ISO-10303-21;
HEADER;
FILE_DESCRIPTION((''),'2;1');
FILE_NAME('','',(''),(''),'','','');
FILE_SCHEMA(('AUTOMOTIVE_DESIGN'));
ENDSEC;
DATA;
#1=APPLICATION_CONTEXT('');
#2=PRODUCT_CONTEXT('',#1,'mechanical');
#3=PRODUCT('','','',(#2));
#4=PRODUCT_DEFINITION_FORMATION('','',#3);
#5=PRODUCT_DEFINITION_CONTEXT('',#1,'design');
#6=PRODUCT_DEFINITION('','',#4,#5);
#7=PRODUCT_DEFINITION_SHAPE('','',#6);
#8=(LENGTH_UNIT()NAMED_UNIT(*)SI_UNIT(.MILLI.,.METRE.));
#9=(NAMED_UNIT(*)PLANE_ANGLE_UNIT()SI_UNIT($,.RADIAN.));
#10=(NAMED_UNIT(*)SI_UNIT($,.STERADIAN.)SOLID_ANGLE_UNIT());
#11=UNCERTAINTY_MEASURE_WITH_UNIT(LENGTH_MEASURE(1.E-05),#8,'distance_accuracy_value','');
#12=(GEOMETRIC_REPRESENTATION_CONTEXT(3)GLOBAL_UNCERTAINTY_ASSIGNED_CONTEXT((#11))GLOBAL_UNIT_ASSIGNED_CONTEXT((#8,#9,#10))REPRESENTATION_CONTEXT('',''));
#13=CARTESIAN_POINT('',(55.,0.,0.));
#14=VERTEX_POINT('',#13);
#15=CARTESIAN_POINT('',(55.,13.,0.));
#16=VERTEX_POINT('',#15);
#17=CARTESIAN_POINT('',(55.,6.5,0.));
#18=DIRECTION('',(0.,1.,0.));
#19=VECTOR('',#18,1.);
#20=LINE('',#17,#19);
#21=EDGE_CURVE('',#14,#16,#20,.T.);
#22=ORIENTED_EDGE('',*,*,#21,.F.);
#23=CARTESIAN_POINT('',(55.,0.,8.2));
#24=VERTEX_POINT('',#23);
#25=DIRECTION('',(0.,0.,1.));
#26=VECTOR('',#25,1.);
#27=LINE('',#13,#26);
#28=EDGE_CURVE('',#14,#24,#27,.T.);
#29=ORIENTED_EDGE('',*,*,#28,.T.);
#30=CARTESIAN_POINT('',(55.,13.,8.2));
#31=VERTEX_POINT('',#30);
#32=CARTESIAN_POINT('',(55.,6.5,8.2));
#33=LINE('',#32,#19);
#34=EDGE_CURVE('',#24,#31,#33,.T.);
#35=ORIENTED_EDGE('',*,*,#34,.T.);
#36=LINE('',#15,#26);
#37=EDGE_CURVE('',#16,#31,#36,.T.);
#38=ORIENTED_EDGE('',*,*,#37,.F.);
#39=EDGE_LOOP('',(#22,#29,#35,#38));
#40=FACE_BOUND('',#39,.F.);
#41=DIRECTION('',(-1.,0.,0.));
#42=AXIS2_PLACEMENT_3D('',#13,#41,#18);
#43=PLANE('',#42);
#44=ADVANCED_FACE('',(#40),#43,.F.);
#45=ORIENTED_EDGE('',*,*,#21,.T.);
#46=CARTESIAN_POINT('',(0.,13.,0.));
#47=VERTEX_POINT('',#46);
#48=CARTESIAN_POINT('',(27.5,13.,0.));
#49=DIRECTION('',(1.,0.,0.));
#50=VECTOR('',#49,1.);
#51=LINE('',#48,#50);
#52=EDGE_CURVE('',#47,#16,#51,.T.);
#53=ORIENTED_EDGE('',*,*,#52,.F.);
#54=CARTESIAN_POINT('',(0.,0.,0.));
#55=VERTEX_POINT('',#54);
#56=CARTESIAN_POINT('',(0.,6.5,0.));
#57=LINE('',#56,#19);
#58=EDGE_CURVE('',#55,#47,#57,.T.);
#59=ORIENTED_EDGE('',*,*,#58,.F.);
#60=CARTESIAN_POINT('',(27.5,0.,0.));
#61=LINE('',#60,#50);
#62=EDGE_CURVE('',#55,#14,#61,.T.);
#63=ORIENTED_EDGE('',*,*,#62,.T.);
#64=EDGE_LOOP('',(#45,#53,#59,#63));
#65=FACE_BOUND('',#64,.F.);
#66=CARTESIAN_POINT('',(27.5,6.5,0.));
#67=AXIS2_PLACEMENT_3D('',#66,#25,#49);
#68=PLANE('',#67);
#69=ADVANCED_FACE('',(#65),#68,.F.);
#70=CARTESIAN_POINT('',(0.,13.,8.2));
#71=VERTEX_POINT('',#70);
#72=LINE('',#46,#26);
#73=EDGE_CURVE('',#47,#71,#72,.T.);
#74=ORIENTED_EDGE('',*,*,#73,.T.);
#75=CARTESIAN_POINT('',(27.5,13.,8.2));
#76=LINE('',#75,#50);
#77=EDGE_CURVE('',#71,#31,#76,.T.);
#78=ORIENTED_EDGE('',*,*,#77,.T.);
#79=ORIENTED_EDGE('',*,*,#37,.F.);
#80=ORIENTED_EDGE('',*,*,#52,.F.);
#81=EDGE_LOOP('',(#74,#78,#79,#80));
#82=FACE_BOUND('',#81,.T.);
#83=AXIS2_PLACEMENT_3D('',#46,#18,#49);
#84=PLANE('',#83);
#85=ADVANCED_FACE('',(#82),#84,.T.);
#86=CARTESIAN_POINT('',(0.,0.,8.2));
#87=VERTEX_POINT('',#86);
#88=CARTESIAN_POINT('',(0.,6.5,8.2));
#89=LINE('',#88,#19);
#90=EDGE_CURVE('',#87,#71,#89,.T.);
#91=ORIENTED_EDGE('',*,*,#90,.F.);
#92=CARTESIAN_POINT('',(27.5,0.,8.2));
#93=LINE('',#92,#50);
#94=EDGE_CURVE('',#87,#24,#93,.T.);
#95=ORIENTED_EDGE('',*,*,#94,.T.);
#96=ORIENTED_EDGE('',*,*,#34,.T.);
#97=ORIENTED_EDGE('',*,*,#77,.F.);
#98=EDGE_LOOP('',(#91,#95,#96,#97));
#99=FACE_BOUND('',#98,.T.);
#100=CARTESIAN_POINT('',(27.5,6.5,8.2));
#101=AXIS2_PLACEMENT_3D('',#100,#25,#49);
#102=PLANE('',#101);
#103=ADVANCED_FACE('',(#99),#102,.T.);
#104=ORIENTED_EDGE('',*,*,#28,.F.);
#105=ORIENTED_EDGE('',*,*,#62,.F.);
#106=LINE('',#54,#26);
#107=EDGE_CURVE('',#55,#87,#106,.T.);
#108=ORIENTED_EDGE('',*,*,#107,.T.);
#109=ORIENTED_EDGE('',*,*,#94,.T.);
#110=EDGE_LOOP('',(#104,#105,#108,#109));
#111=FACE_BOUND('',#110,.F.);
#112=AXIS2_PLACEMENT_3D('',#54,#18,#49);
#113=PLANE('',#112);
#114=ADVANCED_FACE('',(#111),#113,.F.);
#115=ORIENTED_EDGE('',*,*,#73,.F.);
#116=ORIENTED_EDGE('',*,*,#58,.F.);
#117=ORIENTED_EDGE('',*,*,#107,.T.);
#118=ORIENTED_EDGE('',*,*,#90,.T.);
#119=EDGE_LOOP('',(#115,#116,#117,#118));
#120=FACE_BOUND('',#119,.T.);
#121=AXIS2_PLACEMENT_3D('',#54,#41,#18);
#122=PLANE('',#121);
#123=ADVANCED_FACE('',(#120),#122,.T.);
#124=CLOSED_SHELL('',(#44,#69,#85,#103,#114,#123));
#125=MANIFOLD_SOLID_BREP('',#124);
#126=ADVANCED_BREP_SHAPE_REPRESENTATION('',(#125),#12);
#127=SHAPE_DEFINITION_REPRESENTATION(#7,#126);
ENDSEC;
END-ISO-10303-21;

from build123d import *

# Parameters (mm, degrees)
SKETCH_W  = 55
SKETCH_H  = 13
PAD_DEPTH = 8.2


with BuildPart() as part:
    # Sketch → Pad (new body)
    with BuildSketch(Plane.XY):
        with Locations((27.5, 6.5)):
            Rectangle(SKETCH_W, SKETCH_H)
    extrude(amount=PAD_DEPTH)


solid = part.part
